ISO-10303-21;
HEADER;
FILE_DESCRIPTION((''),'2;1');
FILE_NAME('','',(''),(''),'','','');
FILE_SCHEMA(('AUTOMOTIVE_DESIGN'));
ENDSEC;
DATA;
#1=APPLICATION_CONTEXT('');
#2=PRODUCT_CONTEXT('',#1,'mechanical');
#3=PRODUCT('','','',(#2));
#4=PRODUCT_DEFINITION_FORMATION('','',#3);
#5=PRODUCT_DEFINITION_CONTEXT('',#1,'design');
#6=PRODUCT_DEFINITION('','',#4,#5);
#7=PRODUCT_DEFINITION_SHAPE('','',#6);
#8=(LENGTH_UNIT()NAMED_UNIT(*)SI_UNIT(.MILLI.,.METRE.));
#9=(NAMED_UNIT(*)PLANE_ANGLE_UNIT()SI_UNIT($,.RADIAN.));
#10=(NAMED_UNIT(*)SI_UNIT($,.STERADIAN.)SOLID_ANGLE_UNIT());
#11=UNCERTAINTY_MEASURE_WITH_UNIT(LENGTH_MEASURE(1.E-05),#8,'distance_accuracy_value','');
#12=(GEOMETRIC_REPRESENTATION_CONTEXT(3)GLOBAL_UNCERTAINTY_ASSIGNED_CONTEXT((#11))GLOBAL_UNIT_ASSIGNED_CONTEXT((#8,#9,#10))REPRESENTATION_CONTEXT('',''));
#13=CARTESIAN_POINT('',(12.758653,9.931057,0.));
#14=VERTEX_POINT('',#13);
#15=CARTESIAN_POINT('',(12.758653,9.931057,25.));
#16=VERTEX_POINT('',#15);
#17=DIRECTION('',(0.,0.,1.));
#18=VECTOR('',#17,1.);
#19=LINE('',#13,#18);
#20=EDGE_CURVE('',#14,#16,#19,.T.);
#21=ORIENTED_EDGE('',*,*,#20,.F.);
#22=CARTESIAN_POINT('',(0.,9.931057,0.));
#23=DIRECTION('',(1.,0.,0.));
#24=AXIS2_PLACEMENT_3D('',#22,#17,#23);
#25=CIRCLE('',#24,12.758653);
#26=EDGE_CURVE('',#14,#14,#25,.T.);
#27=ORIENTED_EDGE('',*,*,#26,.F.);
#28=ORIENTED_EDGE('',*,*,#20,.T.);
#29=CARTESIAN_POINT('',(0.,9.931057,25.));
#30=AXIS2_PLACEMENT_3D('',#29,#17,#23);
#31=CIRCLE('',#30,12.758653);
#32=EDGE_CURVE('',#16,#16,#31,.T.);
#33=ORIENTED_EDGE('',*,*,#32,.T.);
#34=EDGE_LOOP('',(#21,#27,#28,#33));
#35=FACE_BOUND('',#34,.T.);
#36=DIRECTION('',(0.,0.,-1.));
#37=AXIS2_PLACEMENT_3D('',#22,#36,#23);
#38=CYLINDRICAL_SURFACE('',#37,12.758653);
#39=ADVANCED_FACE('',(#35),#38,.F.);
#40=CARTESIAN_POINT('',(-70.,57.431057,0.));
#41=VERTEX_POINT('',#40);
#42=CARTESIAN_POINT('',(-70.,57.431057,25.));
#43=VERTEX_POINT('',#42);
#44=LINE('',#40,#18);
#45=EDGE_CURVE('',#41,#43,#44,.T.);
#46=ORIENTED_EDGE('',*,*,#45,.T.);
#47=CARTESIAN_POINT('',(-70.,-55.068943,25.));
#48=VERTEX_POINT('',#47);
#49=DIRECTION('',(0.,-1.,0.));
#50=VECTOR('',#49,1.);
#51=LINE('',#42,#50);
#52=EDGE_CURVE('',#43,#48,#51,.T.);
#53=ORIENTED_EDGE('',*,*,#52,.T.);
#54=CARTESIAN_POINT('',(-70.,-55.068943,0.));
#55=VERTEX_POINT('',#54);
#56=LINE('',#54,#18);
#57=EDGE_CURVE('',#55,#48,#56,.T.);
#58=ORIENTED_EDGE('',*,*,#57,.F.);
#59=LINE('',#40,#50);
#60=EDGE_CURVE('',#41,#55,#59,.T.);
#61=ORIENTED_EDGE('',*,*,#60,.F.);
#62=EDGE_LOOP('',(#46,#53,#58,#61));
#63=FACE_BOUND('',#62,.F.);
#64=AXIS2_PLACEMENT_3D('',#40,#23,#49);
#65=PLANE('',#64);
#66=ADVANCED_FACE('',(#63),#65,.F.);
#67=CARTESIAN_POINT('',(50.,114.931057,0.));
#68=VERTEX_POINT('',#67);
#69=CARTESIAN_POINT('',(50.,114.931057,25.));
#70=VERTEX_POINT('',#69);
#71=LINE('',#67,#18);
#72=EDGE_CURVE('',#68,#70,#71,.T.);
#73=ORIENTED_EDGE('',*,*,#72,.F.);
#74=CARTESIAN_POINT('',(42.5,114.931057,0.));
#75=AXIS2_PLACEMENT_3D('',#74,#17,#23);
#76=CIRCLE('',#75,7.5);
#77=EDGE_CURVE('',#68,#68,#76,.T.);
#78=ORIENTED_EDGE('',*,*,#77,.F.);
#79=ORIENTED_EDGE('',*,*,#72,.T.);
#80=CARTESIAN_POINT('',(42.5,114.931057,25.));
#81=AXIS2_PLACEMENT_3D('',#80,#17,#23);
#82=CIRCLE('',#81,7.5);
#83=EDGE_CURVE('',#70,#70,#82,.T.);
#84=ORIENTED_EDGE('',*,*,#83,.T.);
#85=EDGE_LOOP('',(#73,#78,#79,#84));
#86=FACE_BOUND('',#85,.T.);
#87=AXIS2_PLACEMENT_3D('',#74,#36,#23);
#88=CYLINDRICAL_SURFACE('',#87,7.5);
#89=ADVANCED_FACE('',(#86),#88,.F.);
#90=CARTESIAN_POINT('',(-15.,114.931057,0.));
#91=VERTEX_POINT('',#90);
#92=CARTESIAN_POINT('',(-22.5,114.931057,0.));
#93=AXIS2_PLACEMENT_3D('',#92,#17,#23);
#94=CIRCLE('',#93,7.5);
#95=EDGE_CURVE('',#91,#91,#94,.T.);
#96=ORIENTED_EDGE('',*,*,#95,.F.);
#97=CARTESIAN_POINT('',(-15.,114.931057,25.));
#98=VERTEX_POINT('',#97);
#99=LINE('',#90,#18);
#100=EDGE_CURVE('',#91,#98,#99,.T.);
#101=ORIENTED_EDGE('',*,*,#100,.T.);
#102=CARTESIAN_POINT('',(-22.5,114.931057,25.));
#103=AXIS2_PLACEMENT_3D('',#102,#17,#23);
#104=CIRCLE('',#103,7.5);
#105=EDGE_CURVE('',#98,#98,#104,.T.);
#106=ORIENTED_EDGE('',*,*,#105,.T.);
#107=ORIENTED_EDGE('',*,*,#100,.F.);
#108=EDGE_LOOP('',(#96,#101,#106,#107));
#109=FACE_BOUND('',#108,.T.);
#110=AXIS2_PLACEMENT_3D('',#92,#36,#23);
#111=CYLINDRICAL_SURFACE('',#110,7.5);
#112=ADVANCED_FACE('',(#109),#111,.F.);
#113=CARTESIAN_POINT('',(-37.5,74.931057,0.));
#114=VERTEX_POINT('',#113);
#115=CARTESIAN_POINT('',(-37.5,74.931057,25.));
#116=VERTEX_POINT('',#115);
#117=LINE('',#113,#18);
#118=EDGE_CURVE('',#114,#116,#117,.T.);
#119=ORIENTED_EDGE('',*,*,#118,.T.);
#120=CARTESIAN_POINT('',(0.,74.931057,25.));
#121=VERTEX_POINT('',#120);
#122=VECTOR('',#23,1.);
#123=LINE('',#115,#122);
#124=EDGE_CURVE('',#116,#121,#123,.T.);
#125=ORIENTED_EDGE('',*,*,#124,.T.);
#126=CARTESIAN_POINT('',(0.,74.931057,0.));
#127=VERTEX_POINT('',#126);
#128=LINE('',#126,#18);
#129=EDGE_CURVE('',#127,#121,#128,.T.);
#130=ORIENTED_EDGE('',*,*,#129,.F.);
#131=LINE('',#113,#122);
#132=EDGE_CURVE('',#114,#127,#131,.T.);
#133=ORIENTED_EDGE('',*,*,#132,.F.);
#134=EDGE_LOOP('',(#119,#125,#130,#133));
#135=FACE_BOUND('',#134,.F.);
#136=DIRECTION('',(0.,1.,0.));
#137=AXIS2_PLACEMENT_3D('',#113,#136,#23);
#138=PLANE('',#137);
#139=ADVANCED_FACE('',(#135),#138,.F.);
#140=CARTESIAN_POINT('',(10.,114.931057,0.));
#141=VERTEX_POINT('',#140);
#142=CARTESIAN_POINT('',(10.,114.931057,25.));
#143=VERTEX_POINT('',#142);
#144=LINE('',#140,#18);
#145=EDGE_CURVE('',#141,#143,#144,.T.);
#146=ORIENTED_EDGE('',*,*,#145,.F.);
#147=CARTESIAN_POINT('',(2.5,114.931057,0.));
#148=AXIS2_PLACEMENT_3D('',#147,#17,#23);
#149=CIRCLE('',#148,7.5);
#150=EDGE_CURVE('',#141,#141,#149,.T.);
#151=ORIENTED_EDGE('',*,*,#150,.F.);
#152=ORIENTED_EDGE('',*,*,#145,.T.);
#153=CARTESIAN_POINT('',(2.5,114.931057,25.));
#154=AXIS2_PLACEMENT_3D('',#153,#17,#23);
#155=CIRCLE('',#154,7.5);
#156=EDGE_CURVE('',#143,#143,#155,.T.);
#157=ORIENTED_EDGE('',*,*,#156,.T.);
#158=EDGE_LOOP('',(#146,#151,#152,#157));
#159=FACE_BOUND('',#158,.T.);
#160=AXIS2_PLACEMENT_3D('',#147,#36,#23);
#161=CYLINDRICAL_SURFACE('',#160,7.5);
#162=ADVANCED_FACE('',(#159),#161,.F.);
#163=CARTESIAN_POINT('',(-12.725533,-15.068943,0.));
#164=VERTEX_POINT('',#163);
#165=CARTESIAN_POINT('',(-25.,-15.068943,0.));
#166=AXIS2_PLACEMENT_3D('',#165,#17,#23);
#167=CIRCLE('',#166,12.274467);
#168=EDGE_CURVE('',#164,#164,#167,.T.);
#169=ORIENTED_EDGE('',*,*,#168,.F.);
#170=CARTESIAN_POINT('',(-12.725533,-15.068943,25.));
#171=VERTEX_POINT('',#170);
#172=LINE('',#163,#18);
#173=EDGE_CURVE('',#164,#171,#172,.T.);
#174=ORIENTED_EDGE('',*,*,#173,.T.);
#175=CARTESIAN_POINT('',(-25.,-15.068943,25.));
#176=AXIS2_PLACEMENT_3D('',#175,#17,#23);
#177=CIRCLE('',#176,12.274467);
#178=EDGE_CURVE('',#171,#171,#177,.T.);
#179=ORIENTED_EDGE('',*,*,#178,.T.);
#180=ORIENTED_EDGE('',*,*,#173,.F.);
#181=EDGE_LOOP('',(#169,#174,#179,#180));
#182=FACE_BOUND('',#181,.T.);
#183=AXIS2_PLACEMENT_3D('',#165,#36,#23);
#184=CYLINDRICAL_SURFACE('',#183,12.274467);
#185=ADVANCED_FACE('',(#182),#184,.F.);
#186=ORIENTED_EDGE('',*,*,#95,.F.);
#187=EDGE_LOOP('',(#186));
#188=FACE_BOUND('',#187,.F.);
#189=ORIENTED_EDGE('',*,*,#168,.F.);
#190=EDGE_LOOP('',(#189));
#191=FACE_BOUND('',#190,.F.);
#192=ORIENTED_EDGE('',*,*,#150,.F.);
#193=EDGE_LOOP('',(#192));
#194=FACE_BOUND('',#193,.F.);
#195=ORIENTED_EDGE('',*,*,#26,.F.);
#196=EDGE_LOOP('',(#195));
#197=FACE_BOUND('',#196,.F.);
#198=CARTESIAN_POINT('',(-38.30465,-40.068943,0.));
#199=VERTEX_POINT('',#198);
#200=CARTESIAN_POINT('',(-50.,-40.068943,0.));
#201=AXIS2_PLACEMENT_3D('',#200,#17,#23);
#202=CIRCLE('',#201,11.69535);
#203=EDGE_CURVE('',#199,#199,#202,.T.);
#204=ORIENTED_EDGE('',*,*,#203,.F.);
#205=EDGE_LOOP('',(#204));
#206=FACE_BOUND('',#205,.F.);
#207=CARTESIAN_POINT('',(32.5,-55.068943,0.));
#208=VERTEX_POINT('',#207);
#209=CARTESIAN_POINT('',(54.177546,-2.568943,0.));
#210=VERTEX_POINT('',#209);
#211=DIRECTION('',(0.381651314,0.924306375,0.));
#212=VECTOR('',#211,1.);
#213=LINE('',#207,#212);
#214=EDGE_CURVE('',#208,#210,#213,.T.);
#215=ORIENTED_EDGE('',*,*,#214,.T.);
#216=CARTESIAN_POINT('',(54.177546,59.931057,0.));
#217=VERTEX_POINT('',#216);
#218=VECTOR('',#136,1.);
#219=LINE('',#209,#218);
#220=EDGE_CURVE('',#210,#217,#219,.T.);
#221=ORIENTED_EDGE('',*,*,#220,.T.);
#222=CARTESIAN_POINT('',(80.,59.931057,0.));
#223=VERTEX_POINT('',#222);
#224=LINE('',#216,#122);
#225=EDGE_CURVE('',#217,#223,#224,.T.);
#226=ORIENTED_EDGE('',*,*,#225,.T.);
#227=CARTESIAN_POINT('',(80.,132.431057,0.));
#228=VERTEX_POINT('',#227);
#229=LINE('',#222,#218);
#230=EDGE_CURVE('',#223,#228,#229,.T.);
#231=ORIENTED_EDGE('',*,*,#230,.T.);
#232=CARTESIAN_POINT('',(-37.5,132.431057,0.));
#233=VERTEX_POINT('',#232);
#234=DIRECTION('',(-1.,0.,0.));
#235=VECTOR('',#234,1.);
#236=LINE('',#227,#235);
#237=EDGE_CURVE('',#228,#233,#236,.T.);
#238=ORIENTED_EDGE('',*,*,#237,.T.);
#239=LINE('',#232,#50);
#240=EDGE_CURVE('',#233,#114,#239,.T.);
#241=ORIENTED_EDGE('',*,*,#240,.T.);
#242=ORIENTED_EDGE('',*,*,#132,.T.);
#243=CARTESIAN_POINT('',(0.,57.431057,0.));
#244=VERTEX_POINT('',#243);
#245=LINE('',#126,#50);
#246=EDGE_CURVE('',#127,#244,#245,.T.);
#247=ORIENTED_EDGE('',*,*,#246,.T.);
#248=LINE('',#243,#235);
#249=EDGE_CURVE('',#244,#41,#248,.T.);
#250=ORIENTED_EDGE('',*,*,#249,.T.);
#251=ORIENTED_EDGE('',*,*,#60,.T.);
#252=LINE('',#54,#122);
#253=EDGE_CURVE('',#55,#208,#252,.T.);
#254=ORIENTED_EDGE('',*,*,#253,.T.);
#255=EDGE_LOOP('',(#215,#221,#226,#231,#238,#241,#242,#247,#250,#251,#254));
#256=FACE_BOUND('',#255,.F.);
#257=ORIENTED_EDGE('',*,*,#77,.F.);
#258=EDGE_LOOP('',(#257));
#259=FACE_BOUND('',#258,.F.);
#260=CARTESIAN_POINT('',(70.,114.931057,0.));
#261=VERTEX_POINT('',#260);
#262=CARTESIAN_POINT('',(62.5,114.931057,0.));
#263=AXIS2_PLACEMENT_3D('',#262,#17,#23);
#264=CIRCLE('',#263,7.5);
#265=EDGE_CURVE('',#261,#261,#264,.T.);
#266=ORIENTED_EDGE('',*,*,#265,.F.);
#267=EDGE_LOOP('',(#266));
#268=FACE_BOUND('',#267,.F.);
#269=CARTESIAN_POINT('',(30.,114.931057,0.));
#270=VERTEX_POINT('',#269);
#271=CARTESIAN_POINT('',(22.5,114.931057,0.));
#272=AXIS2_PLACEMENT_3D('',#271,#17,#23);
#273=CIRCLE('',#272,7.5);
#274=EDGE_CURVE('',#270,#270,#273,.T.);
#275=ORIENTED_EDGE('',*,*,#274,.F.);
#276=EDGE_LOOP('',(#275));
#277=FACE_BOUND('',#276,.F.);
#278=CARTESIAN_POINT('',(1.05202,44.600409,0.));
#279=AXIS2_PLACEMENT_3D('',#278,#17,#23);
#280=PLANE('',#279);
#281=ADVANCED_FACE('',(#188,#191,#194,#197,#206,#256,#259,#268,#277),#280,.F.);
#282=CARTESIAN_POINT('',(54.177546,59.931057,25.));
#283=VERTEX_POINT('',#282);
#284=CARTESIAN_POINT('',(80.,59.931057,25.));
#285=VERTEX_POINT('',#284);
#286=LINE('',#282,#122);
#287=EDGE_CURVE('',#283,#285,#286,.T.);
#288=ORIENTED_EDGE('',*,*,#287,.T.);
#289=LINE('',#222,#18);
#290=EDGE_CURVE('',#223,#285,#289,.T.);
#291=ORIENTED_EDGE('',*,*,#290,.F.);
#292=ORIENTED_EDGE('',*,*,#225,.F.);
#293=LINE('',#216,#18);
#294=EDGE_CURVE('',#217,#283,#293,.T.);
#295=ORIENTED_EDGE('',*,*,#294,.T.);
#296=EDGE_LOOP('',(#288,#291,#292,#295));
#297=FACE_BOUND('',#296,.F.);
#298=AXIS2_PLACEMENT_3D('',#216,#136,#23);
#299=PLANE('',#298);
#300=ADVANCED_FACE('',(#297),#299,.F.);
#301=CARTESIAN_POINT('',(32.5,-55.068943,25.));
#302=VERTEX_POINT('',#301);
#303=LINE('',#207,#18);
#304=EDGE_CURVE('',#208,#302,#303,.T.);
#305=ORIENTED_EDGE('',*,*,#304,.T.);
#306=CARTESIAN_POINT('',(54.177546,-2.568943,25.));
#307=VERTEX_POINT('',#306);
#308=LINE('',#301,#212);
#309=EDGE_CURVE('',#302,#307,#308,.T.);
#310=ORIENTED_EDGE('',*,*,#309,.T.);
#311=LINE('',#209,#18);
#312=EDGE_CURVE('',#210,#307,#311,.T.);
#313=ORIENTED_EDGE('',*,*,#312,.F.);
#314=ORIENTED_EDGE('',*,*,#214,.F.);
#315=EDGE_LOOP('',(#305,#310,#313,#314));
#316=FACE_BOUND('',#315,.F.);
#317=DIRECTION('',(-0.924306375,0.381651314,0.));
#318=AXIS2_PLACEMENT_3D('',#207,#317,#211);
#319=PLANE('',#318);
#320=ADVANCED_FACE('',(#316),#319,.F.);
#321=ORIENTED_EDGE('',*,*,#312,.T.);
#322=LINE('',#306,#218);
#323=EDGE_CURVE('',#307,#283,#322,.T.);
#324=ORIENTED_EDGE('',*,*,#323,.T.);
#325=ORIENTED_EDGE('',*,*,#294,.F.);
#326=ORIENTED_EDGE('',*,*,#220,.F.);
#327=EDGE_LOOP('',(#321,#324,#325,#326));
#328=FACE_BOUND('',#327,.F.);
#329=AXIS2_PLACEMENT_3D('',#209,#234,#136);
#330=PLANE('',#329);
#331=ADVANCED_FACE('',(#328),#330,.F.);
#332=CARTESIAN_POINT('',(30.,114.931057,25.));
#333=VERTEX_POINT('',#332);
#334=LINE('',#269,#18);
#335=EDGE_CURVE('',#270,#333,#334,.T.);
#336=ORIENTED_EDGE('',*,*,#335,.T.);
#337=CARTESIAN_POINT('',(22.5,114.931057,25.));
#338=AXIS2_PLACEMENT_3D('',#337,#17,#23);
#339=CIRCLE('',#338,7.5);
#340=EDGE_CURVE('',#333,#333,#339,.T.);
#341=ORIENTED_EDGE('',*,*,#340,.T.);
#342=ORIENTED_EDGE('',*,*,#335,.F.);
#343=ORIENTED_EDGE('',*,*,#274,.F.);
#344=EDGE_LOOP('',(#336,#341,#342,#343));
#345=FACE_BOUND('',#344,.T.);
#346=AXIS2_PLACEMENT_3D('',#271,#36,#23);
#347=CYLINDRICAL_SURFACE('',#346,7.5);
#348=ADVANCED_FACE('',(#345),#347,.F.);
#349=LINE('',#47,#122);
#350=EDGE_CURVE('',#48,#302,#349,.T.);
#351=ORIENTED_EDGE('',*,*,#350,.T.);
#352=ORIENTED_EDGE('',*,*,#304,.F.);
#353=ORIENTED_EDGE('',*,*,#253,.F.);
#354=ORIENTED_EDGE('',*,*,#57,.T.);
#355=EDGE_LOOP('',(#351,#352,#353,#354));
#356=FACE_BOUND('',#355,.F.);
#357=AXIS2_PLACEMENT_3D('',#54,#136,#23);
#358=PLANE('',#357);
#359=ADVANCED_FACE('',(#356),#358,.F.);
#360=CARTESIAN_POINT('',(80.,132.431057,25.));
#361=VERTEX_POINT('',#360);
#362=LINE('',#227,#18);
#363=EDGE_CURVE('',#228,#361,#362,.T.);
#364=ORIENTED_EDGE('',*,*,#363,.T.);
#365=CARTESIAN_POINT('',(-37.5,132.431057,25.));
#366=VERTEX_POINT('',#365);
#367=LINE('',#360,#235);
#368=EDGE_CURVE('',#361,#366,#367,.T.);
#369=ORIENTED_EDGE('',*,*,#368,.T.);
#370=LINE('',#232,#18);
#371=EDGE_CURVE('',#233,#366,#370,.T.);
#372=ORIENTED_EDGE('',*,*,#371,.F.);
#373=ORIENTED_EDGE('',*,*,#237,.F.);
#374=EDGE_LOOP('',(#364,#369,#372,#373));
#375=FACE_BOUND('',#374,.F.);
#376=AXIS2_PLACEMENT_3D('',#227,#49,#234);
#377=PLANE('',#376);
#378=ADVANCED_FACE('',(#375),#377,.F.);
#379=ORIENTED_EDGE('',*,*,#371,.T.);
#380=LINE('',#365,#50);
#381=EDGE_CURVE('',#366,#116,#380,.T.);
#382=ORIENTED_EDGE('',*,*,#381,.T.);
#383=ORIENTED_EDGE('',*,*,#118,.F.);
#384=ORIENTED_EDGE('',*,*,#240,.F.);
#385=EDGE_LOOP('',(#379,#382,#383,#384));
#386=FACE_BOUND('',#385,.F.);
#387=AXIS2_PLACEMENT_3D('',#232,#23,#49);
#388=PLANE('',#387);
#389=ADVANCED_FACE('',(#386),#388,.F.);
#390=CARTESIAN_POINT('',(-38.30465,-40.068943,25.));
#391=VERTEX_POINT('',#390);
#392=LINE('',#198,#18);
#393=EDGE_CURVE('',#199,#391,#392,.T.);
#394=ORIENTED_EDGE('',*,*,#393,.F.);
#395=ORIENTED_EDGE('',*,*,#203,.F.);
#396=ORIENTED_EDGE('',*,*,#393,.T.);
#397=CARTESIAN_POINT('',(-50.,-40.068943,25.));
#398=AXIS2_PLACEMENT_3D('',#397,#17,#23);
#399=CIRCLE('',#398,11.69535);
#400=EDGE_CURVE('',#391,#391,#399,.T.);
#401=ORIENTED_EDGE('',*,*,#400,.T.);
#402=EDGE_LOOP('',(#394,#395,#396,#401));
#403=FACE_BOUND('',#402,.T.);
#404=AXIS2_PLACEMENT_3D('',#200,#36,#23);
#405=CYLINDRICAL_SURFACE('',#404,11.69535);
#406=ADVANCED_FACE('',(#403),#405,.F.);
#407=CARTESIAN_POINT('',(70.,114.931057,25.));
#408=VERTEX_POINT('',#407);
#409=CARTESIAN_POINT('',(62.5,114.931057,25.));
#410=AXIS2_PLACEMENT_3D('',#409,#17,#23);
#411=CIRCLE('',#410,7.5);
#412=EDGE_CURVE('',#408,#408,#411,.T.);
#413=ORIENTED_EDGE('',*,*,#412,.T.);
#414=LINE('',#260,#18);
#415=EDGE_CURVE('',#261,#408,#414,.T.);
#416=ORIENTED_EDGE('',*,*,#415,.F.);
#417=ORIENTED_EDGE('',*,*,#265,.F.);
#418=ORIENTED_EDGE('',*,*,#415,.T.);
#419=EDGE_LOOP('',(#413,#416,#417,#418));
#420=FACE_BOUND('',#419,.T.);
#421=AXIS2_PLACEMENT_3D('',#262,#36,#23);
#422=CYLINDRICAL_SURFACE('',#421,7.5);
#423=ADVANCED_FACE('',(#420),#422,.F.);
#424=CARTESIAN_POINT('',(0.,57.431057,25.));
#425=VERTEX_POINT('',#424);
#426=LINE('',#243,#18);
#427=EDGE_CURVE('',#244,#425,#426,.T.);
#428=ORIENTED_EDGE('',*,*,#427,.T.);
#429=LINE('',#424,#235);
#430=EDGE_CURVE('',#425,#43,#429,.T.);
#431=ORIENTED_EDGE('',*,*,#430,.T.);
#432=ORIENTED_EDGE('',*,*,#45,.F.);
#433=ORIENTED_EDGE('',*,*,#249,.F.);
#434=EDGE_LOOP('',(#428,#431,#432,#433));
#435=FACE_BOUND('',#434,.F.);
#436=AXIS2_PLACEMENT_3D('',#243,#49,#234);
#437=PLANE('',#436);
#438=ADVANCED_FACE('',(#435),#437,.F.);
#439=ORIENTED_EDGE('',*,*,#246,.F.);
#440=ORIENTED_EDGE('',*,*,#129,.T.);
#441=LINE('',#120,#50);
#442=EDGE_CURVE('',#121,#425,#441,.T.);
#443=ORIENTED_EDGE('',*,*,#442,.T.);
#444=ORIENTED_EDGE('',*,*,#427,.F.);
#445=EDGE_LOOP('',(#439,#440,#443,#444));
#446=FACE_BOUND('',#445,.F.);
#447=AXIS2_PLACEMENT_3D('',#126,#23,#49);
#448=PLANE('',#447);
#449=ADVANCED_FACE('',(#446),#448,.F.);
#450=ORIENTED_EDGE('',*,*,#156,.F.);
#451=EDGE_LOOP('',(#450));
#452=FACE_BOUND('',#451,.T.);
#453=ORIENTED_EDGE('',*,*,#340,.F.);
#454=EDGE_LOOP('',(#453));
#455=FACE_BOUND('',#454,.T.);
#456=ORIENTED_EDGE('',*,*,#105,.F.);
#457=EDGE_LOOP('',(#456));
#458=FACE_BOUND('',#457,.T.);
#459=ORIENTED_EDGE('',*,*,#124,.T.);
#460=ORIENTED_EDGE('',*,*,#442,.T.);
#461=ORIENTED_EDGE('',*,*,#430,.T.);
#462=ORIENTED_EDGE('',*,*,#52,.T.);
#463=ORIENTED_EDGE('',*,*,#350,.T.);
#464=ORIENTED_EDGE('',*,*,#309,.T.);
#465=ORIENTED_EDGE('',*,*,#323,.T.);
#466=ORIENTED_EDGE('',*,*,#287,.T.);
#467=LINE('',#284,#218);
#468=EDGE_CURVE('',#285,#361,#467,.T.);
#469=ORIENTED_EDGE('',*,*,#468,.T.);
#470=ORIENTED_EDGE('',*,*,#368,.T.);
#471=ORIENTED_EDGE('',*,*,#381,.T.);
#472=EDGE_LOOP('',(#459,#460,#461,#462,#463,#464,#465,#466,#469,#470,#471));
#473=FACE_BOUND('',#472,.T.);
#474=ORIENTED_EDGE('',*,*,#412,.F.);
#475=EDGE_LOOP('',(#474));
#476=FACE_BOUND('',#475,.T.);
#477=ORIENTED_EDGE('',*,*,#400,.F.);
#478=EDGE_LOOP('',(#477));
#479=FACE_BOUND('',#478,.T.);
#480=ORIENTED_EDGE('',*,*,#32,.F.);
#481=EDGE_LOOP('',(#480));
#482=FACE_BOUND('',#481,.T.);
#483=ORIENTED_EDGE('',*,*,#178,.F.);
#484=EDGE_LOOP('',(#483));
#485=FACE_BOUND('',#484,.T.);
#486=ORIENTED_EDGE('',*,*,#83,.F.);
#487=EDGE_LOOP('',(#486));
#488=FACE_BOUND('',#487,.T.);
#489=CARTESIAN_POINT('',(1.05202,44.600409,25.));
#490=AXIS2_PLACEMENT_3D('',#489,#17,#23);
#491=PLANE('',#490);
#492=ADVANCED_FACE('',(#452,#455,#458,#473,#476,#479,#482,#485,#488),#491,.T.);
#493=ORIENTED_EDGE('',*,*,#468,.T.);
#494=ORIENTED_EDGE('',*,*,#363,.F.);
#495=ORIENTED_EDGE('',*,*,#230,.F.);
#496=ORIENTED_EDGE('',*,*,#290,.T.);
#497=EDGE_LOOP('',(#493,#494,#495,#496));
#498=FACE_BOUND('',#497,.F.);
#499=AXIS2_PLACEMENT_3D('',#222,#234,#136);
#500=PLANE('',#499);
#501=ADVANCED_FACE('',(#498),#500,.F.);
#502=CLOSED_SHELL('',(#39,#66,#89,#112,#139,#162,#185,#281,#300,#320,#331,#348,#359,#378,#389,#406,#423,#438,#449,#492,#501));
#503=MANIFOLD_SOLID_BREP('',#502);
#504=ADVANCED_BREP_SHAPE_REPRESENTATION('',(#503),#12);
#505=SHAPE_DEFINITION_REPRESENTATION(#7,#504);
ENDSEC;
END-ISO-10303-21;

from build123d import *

# Parameters (mm, degrees)
F0_R     = 11.69535
F0_R_2   = 12.274467
F0_R_3   = 12.758653
F0_R_4   = 7.5
F1_DEPTH = 25


with BuildPart() as f1:
    # F0 (on Top) → F1 (new body)
    with BuildSketch(Plane.XY):
        Polygon((-70, 57.431057), (-70, -55.068943), (32.5, -55.068943), (54.177546, -2.568943), (54.177546, 59.931057), (80, 59.931057), (80, 132.431057), (-37.5, 132.431057), (-37.5, 74.931057), (0, 74.931057), (0, 57.431057), align=None)
        with Locations((-50, -40.068943)):
            Circle(F0_R, mode=Mode.SUBTRACT)
        with Locations((-25, -15.068943)):
            Circle(F0_R_2, mode=Mode.SUBTRACT)
        with Locations((0, 9.931057)):
            Circle(F0_R_3, mode=Mode.SUBTRACT)
        with Locations((-22.5, 114.931057)):
            Circle(F0_R_4, mode=Mode.SUBTRACT)
        with Locations((2.5, 114.931057)):
            Circle(F0_R_4, mode=Mode.SUBTRACT)
        with Locations((22.5, 114.931057)):
            Circle(F0_R_4, mode=Mode.SUBTRACT)
        with Locations((42.5, 114.931057)):
            Circle(F0_R_4, mode=Mode.SUBTRACT)
        with Locations((62.5, 114.931057)):
            Circle(F0_R_4, mode=Mode.SUBTRACT)
    extrude(amount=F1_DEPTH)


solid = f1.part
